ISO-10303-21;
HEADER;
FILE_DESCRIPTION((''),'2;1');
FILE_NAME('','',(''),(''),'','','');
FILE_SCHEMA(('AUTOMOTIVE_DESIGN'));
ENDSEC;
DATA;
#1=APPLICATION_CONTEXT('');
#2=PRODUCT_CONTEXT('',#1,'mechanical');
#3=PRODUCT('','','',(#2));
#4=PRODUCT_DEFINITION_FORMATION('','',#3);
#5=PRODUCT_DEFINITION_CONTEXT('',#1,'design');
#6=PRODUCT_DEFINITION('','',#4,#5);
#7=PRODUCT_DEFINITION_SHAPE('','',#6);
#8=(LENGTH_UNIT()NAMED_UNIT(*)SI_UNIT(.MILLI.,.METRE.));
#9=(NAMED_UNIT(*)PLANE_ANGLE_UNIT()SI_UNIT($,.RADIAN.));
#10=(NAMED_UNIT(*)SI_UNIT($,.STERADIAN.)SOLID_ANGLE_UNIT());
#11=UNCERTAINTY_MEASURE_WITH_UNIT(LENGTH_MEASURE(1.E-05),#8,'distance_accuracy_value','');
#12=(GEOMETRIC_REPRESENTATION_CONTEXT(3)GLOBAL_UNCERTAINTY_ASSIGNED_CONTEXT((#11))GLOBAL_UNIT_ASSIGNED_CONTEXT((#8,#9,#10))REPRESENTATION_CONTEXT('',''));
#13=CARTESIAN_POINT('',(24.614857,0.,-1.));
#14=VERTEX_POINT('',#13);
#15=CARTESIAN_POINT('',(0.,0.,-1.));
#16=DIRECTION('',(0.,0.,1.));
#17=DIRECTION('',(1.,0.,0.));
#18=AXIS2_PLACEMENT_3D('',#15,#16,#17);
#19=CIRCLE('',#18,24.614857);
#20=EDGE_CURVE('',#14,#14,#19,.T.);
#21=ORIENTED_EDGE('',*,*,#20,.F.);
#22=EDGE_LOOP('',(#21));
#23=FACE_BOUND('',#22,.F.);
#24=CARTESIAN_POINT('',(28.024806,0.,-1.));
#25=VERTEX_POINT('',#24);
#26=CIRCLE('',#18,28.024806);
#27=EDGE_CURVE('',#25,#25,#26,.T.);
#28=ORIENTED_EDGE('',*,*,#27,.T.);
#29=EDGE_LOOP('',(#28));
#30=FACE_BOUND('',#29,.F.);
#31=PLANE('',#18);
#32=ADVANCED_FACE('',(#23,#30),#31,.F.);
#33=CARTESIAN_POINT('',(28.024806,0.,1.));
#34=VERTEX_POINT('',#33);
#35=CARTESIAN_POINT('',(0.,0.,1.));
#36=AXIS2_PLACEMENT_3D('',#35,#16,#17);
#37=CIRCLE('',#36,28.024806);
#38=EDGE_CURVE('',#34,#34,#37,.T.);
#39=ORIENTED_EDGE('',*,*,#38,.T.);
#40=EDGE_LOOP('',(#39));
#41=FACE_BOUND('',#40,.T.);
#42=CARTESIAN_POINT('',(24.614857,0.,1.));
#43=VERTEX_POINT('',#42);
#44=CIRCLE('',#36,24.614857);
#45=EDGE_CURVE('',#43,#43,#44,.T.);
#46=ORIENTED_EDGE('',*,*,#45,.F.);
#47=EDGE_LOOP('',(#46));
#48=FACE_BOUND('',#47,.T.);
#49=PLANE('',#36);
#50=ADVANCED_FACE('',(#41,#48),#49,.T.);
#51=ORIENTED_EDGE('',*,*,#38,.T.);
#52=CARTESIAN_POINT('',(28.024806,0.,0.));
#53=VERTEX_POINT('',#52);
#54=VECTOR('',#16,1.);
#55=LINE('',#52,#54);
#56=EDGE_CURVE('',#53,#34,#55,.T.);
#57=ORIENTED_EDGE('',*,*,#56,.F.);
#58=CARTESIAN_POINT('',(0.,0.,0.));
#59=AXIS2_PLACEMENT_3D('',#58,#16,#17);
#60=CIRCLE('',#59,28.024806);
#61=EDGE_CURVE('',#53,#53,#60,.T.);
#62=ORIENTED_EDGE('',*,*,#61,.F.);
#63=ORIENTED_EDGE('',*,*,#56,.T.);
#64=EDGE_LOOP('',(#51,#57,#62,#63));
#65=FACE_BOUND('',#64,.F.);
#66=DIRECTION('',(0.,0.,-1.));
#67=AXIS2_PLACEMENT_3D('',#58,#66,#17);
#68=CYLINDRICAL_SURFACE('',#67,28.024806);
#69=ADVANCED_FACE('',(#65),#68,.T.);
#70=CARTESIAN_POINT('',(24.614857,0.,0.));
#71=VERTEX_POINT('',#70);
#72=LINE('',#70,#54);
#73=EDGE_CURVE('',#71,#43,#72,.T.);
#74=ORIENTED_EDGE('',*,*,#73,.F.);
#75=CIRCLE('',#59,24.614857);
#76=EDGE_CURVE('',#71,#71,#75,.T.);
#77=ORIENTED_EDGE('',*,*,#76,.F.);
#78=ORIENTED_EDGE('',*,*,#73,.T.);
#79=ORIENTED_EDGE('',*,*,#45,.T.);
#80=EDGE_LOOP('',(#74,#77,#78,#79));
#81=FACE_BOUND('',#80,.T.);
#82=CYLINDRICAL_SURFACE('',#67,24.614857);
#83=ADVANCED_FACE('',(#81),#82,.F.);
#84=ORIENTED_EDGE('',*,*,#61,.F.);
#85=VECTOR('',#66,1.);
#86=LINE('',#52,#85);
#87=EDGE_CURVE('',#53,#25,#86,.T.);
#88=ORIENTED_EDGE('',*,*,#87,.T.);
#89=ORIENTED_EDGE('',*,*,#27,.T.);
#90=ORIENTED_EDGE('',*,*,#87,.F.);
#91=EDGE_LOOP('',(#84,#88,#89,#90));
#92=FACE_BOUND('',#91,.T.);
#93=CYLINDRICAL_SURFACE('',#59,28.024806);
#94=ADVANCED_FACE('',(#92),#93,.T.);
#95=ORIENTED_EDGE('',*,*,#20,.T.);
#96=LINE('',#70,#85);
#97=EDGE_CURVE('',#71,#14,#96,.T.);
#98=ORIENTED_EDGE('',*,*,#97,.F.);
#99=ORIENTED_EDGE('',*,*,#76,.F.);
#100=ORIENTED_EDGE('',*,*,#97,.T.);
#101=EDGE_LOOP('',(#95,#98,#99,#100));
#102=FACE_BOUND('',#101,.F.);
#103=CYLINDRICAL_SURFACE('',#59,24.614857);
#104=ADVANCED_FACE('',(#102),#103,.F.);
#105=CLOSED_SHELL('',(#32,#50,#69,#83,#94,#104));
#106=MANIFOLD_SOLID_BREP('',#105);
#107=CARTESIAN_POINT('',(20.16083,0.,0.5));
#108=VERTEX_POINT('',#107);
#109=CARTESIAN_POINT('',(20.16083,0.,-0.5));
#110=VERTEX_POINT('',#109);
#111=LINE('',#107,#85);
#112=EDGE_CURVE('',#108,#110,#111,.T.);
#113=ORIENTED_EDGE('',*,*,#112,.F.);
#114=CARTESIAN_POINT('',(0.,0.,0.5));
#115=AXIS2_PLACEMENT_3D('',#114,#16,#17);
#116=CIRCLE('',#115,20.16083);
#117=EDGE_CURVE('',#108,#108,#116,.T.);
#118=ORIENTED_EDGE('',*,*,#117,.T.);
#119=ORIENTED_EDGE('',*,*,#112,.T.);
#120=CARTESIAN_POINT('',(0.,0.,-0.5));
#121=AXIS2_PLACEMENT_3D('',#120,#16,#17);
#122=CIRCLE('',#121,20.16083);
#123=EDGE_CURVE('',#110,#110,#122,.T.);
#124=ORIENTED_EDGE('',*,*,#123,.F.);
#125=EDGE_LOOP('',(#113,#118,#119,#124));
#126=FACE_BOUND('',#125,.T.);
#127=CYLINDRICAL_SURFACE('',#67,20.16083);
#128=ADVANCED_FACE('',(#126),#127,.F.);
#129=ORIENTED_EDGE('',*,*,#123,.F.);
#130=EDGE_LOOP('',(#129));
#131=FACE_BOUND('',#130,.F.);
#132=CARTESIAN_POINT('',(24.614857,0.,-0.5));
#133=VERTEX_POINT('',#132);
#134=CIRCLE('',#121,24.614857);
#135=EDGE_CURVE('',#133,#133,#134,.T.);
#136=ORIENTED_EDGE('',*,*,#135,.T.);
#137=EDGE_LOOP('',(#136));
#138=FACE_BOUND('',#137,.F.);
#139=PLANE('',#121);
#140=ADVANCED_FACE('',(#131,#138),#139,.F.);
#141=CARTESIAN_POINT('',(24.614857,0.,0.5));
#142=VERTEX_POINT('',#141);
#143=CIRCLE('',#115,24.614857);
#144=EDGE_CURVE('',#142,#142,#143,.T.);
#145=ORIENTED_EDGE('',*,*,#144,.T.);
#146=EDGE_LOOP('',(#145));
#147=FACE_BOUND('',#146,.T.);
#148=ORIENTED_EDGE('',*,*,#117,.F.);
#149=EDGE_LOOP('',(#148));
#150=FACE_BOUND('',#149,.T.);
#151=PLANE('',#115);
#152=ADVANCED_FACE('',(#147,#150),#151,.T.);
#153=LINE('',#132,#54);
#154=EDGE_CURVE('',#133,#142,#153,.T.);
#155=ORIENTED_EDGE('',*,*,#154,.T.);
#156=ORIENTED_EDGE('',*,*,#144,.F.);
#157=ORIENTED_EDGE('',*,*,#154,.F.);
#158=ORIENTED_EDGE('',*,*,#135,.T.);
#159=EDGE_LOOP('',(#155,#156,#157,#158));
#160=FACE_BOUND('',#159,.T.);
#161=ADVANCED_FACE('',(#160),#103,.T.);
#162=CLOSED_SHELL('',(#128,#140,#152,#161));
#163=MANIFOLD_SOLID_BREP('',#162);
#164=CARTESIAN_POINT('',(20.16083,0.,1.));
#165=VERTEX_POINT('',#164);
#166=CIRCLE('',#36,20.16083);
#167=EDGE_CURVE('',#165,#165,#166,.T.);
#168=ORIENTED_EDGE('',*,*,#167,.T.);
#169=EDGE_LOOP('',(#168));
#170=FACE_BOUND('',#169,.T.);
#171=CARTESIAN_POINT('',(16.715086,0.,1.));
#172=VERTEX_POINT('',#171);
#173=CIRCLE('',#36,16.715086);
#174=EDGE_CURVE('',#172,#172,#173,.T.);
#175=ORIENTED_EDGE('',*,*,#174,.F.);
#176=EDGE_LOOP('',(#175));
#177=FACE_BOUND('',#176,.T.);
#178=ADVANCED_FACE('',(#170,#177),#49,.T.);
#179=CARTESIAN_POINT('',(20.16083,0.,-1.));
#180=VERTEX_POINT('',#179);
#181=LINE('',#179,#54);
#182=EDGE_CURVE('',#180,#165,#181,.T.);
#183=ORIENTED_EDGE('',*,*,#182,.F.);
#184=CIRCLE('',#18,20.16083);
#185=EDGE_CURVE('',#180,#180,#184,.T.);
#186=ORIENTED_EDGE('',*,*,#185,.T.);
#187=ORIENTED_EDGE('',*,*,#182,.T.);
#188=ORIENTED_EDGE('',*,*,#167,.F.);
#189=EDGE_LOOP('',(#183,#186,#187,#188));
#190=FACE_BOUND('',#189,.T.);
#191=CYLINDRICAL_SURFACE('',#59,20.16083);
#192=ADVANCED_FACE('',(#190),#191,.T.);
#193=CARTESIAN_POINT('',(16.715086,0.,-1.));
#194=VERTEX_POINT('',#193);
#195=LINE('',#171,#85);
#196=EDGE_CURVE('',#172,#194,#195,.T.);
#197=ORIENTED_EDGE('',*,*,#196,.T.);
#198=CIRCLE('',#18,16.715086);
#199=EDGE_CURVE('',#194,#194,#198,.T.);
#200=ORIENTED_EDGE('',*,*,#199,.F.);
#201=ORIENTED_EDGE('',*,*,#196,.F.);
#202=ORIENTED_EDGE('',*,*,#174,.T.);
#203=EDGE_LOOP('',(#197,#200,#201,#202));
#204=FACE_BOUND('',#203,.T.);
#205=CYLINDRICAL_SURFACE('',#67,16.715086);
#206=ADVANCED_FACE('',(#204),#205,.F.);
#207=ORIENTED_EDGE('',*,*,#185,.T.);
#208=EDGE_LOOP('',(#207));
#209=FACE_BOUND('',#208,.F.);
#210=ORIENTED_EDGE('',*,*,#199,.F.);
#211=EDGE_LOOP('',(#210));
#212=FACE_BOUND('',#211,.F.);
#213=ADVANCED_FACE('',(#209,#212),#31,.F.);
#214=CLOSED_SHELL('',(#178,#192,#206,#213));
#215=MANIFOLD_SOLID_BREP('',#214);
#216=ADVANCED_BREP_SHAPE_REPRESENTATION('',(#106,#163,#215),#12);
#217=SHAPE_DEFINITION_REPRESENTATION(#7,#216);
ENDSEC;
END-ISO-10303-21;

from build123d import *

# Parameters (mm, degrees)
F0_R     = 28.024806
F0_R_2   = 24.614857
F0_R_3   = 20.16083
F0_R_4   = 16.715086
F1_DEPTH = 1
F2_DEPTH = 0.5


with BuildPart() as f1:
    # F0 (on Top) → F1 (new body, symmetric)
    with BuildSketch(Plane.XY):
        Circle(F0_R)
        Circle(F0_R_2, mode=Mode.SUBTRACT)
        Circle(F0_R_3)
        Circle(F0_R_4, mode=Mode.SUBTRACT)
    extrude(amount=F1_DEPTH, both=True)


with BuildPart() as f2:
    # F0 (on Top) → F2 (new body, symmetric)
    with BuildSketch(Plane.XY):
        Circle(F0_R_2)
        Circle(F0_R_3, mode=Mode.SUBTRACT)
    extrude(amount=F2_DEPTH, both=True)


solid = Compound([f1.part, f2.part])
